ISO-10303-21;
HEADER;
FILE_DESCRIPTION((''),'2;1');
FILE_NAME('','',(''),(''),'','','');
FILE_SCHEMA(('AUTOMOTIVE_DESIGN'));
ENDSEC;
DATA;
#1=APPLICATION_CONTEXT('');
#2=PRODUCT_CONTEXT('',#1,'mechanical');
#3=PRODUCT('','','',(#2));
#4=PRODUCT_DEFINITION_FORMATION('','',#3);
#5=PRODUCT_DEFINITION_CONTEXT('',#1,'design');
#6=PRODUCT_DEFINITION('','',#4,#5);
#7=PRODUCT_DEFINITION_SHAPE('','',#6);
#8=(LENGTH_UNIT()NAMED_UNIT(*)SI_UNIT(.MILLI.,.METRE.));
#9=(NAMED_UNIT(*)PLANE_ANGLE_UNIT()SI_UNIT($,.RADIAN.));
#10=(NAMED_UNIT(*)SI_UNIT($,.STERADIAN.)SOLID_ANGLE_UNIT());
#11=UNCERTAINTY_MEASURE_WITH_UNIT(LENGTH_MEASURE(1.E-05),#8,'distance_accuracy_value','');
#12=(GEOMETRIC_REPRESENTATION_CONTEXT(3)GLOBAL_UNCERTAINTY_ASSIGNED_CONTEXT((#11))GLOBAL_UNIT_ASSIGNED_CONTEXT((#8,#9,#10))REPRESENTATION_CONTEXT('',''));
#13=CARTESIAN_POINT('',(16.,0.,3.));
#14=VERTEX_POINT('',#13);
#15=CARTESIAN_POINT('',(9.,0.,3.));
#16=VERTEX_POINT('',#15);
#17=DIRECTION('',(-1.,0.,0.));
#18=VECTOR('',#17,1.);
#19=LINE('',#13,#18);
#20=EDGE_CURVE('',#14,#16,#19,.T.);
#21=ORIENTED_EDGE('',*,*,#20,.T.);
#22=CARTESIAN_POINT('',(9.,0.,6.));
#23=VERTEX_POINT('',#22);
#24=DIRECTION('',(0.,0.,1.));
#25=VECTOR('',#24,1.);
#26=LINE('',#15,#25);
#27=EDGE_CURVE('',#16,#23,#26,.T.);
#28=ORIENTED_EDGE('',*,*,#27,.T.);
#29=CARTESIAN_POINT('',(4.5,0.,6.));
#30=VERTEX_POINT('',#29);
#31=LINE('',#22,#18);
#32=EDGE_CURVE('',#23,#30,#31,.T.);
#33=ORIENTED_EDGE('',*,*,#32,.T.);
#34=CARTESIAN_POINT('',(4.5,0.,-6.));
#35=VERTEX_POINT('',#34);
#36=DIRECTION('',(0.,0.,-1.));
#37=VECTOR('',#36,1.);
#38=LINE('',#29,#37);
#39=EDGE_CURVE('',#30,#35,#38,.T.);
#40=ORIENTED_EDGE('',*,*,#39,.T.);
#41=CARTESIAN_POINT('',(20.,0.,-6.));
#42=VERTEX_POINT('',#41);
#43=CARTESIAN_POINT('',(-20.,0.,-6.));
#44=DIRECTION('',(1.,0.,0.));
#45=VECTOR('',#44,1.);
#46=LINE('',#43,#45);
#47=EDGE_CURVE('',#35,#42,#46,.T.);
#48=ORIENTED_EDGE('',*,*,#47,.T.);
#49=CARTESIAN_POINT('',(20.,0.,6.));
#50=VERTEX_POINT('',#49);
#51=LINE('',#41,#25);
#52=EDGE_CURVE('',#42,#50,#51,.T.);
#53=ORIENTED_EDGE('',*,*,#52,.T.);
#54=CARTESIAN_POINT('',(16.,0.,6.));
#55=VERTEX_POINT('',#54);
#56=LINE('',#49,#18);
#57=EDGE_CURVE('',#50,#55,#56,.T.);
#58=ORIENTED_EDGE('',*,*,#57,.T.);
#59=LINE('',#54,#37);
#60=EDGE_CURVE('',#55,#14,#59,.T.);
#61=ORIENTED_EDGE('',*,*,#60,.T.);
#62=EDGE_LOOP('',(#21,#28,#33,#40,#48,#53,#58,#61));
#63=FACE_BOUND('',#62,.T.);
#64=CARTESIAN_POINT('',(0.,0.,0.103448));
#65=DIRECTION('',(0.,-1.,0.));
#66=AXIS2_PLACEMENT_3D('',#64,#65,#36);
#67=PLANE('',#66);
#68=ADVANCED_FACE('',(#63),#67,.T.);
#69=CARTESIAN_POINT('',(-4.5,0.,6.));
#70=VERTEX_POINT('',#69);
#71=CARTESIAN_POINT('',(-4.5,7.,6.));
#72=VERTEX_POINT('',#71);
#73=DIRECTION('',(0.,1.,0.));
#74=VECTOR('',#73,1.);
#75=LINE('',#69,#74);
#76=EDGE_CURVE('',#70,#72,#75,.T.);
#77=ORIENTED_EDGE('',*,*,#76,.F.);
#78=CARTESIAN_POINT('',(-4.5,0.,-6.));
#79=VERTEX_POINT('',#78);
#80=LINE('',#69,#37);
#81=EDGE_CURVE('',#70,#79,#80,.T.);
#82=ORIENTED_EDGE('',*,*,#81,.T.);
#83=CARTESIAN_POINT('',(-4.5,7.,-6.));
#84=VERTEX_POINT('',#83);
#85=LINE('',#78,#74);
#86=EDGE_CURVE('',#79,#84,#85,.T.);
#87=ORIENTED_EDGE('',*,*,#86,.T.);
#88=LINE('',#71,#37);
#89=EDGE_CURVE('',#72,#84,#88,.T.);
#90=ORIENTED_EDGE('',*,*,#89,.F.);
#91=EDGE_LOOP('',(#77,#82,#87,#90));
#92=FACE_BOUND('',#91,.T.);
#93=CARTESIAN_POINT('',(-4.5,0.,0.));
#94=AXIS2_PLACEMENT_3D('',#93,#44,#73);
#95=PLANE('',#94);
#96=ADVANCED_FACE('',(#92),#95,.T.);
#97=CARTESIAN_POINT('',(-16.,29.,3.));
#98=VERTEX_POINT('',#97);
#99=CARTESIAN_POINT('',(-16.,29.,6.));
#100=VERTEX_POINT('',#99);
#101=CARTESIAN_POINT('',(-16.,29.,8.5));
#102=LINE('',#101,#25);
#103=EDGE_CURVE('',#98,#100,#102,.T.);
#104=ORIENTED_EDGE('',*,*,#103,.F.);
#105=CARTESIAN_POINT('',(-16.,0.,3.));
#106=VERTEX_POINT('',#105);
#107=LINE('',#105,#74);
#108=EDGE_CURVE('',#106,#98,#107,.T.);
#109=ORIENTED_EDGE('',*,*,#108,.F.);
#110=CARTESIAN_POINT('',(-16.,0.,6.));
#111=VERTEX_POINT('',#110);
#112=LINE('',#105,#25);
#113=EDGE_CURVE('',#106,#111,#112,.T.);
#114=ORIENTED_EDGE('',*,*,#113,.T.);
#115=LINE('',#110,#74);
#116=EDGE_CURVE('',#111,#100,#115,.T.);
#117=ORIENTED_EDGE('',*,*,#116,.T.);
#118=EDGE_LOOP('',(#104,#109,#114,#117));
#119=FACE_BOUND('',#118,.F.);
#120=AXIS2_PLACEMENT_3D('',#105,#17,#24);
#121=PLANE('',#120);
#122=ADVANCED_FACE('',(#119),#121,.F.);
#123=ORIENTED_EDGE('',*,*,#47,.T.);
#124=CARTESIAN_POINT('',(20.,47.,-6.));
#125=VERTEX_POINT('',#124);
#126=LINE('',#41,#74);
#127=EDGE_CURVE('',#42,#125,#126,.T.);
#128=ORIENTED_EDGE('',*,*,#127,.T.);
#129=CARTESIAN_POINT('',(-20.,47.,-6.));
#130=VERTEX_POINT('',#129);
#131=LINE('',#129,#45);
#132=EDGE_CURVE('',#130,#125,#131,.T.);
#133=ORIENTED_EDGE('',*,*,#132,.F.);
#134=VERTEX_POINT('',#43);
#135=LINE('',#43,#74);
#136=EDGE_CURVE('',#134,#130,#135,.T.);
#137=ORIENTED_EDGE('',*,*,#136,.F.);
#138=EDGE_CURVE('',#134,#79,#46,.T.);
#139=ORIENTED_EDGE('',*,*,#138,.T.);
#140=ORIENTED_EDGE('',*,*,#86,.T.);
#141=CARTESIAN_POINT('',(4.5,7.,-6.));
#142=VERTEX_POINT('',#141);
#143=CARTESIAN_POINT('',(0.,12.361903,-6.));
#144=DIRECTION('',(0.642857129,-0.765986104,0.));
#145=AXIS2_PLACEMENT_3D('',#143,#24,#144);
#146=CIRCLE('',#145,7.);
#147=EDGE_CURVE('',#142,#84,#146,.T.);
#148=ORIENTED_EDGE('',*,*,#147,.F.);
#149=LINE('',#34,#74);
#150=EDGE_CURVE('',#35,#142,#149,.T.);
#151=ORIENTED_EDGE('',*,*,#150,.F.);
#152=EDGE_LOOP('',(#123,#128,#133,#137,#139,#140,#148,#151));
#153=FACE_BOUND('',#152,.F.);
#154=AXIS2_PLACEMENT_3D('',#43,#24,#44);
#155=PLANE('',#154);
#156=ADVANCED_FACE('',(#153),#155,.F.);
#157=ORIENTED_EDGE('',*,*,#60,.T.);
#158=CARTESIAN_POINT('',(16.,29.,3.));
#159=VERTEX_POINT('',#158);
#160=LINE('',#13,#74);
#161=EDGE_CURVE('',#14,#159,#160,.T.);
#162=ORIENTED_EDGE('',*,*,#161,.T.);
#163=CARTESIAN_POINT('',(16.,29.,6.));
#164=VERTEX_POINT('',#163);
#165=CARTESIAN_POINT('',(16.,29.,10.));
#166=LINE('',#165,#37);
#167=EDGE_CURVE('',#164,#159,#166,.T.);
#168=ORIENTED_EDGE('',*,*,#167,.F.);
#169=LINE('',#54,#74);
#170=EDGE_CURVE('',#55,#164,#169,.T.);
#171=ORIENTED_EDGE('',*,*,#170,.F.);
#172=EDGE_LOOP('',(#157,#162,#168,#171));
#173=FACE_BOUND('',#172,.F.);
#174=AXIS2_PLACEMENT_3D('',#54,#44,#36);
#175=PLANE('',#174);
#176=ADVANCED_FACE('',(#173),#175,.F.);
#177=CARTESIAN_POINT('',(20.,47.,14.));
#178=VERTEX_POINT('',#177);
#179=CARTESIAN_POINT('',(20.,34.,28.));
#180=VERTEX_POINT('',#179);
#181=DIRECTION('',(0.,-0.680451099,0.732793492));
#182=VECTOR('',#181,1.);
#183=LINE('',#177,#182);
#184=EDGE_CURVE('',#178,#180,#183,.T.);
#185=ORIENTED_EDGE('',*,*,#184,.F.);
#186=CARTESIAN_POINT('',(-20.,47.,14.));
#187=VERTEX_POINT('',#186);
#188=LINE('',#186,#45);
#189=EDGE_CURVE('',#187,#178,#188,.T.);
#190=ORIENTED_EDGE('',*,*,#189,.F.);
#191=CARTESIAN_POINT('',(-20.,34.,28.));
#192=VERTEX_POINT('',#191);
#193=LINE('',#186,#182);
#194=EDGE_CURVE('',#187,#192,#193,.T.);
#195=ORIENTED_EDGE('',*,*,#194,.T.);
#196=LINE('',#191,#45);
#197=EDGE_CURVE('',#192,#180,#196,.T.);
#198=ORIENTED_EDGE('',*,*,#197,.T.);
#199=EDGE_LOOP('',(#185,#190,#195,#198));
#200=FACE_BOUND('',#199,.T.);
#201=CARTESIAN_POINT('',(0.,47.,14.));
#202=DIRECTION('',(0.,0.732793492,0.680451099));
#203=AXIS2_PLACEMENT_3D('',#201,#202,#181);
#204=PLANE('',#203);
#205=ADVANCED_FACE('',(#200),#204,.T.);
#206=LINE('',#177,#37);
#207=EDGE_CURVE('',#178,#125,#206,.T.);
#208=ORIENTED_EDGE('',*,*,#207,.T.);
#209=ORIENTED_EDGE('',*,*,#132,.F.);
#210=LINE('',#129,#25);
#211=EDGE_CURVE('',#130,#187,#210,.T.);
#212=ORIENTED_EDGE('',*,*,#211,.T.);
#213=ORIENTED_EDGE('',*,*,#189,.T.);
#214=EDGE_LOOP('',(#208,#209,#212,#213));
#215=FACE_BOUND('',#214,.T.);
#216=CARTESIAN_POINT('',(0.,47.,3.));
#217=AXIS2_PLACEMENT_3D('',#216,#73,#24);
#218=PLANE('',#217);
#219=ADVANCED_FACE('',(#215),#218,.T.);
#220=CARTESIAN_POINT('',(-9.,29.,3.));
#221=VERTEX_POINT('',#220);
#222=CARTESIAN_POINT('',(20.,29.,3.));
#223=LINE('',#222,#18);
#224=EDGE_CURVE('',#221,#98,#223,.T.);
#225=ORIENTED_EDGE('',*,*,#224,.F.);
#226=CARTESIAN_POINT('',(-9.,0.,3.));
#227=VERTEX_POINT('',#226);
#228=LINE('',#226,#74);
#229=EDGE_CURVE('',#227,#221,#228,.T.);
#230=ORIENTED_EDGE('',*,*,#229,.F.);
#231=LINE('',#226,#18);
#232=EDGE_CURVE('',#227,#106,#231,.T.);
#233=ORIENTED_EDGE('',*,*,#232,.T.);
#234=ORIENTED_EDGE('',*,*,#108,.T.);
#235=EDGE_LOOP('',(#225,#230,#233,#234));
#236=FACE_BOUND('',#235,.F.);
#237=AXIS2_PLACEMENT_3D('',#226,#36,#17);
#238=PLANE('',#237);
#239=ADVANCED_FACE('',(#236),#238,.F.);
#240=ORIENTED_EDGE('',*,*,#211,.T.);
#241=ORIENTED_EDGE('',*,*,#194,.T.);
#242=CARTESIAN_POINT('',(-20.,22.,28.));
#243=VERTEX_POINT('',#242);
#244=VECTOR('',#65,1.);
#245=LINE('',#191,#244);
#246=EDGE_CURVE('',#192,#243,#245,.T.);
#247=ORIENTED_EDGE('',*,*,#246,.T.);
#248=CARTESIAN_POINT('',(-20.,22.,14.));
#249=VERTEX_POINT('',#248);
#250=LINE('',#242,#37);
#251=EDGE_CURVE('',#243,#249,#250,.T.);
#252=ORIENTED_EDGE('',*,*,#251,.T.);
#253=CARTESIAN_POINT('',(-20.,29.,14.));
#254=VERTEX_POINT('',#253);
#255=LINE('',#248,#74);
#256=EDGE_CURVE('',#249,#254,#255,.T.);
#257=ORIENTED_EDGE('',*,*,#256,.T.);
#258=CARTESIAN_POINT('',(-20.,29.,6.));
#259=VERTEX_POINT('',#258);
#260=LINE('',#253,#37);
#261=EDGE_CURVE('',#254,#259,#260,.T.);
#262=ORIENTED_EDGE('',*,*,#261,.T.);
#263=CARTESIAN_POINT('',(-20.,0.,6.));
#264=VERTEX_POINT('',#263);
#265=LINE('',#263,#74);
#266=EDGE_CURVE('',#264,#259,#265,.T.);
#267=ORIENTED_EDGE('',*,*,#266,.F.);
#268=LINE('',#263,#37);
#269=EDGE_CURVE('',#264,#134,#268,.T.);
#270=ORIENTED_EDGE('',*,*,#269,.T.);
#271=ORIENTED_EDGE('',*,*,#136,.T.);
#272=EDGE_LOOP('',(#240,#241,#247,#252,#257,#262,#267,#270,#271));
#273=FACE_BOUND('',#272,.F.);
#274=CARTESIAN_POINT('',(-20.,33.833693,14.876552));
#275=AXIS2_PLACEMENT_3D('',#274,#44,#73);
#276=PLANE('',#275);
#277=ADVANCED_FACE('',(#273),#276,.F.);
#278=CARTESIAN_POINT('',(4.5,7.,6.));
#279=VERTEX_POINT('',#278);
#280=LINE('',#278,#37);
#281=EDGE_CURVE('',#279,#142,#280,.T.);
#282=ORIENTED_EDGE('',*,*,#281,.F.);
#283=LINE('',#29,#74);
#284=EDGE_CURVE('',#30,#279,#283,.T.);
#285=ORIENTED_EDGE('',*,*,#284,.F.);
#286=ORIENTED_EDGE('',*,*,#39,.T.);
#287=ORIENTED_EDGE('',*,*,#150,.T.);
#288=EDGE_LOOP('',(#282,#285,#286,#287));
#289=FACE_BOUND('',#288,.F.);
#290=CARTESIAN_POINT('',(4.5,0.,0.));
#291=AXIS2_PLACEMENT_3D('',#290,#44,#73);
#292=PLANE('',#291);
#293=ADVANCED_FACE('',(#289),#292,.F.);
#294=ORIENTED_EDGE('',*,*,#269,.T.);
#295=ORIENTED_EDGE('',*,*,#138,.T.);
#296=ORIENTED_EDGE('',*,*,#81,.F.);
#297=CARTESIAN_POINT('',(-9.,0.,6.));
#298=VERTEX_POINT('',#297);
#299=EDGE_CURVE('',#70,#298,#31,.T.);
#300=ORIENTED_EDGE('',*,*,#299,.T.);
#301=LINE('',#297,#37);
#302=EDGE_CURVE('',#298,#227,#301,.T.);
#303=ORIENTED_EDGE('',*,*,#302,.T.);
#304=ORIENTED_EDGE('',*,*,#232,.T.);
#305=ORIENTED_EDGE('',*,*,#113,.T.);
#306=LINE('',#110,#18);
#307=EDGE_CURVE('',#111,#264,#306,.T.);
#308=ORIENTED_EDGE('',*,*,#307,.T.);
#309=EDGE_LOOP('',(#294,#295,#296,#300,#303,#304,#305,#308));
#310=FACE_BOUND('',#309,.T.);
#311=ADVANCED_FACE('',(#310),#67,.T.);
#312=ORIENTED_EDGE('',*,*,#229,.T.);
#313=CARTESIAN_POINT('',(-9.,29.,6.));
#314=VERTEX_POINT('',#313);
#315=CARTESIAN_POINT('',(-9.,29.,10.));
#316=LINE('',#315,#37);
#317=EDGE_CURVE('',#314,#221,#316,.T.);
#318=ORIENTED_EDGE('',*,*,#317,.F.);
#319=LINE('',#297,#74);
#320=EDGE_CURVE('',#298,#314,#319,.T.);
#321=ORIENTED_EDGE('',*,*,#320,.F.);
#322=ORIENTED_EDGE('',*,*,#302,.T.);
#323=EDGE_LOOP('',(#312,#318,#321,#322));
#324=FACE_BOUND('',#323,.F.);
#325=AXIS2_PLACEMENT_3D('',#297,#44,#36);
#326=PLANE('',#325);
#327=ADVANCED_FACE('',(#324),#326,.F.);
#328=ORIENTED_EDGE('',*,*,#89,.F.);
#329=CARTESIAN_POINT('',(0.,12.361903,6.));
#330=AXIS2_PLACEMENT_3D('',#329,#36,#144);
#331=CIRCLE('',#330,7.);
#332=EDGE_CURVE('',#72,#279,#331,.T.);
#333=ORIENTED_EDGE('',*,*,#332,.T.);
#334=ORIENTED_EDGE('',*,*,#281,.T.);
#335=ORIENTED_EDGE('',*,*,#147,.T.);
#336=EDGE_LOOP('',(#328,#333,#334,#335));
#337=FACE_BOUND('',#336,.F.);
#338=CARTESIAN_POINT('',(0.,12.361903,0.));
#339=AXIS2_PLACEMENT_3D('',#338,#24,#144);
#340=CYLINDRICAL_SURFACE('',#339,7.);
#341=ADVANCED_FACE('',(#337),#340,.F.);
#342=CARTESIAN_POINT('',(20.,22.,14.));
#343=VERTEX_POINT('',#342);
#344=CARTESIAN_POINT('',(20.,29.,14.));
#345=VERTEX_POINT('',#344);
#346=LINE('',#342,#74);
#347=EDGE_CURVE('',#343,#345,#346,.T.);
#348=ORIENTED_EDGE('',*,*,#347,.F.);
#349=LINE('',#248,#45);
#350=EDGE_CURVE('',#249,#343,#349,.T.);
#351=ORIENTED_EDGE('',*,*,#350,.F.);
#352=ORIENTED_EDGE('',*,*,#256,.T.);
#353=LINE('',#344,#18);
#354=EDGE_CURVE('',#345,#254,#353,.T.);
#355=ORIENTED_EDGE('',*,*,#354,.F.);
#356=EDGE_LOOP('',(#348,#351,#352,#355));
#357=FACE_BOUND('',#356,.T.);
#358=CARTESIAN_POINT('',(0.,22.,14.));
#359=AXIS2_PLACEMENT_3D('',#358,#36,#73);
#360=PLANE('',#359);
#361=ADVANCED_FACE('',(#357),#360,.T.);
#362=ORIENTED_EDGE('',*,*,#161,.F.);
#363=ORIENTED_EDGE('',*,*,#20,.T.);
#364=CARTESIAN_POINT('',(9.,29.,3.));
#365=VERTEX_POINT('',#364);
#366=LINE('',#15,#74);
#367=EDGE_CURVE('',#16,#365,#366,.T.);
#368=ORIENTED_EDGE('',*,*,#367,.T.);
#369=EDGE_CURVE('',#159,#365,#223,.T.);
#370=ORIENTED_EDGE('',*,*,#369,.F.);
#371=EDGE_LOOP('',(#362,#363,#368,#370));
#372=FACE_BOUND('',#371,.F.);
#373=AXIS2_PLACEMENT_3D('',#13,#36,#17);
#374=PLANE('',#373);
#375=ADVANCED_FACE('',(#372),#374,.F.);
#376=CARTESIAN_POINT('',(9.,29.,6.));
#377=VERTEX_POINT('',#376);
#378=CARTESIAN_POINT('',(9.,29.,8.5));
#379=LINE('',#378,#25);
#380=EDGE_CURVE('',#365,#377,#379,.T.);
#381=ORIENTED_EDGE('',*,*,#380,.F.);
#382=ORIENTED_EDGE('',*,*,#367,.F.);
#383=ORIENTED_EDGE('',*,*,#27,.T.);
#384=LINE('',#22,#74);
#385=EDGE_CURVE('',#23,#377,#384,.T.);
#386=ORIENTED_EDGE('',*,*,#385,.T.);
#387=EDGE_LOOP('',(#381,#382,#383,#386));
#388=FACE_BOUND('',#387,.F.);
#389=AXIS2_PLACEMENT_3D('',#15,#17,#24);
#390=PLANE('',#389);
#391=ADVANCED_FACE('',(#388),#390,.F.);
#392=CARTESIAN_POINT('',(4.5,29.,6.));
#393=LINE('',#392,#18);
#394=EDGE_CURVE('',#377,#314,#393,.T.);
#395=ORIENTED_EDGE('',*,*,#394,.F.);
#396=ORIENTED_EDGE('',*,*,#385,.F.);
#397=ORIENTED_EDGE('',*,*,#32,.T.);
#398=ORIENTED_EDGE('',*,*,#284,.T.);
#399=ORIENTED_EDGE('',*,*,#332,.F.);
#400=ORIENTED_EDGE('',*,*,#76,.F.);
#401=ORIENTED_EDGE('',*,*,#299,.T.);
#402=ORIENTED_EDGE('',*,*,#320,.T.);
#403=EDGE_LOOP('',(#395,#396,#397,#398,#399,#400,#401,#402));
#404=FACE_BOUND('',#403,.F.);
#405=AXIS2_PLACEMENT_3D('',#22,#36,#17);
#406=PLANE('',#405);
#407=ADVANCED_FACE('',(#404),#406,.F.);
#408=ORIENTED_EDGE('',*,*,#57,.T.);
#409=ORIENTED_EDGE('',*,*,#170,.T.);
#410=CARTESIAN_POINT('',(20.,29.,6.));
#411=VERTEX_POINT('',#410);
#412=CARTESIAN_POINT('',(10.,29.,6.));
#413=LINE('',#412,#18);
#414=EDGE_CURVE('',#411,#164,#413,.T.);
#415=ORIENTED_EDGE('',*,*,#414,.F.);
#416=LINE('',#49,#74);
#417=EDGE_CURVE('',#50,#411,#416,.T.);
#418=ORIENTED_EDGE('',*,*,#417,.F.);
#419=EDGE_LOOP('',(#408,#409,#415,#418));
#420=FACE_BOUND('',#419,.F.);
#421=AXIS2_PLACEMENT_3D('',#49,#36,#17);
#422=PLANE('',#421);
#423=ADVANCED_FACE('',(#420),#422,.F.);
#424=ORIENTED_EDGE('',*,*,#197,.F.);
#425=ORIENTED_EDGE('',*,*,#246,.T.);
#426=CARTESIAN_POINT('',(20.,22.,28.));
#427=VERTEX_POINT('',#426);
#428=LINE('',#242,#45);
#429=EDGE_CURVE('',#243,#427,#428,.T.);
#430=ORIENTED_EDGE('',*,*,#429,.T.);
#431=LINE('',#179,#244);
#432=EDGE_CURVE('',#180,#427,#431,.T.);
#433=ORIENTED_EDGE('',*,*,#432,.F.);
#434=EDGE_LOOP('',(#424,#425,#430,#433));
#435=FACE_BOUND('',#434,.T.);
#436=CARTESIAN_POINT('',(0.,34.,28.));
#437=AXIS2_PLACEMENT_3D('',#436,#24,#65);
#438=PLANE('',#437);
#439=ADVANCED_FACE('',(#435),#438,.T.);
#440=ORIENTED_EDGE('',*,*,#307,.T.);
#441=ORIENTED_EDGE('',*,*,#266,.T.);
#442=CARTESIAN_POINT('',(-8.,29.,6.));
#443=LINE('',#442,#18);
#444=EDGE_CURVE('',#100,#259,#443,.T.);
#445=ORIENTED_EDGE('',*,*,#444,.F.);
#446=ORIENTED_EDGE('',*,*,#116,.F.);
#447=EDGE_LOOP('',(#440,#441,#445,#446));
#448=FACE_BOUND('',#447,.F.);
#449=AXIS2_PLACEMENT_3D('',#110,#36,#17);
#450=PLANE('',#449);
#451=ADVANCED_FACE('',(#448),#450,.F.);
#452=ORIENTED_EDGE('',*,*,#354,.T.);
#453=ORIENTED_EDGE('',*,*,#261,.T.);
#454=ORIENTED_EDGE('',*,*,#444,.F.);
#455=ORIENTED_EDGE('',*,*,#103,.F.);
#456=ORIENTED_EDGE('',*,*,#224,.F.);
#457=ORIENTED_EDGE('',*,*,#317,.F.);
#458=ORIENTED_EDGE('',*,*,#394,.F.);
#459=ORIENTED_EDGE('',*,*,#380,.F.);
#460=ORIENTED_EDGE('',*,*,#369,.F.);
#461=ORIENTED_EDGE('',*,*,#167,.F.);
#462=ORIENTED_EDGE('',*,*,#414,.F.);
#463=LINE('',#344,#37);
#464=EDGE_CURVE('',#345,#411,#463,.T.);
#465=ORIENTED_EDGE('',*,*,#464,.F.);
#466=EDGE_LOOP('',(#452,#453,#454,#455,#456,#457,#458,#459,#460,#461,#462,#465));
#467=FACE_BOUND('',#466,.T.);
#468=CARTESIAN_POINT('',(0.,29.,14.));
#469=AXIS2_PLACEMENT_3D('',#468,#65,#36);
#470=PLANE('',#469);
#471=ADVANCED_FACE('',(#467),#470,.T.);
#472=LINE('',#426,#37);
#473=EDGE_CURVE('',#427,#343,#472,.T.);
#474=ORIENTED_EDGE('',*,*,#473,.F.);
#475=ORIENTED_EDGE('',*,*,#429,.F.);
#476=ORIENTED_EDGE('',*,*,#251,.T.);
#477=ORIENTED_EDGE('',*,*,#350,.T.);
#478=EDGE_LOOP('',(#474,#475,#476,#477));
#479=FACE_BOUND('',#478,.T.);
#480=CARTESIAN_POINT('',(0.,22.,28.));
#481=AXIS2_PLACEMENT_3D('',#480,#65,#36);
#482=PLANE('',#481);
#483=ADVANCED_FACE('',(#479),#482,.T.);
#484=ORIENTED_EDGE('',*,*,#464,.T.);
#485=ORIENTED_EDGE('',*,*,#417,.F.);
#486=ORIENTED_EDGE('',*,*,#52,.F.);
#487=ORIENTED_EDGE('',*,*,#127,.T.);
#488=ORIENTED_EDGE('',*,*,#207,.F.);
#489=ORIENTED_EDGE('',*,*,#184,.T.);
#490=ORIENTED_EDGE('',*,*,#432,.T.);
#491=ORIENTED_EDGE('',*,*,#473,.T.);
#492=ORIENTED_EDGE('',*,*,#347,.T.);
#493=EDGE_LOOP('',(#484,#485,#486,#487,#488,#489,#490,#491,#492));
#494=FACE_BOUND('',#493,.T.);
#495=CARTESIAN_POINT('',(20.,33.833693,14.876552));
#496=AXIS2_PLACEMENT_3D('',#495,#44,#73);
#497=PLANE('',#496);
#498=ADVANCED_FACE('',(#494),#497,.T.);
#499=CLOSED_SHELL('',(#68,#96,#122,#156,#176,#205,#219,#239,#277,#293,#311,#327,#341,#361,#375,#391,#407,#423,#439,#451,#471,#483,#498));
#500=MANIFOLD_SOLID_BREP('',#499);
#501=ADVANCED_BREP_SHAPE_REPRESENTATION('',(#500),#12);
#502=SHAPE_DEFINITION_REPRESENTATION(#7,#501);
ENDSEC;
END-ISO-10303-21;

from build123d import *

# Parameters (mm, degrees)
PAD_DEPTH         = 20
POCKET_DEPTH      = 6.001
POCKET_DEPTH_BACK = -28.001


with BuildPart() as part:
    # AdditivePipe: sweep along a path in Sketch
    with BuildLine(Plane.XY) as additivepipe_path:
        Line((0, 0), (0, 47))
    # Sketch001 → AdditivePipe (sweep)
    with BuildSketch(Plane.XZ):
        Polygon((-20, 6), (-20, -6), (-16, -6), (-9, -6), (9, -6), (16, -6), (20, -6), (20, 6), (16, 6), (16, 3), (9, 3), (9, 6), (-9, 6), (-9, 3), (-16, 3), (-16, 6), align=None)
    sweep(path=additivepipe_path.line)

    # Sketch002 → Pad (new body, symmetric)
    with BuildSketch(Plane.YZ):
        Polygon((47, 3), (47, 14), (34, 28), (22, 28), (22, 14), (29, 14), (29, 3), align=None)
    extrude(amount=PAD_DEPTH, both=True)

    # Sketch003 → Pocket (cut, two sides)
    with BuildSketch(Plane.XY) as pocket_sk:
        with BuildLine():
            Line((-4.5, 0), (4.5, 0))
            Line((4.5, 0), (4.5, 7))
            ThreePointArc((4.5, 7), (0, 19.361903), (-4.5, 7))
            Line((-4.5, 0), (-4.5, 7))
        make_face()
    extrude(amount=-POCKET_DEPTH, mode=Mode.SUBTRACT)
    extrude(pocket_sk.sketch, amount=-POCKET_DEPTH_BACK, mode=Mode.SUBTRACT)


solid = part.part
